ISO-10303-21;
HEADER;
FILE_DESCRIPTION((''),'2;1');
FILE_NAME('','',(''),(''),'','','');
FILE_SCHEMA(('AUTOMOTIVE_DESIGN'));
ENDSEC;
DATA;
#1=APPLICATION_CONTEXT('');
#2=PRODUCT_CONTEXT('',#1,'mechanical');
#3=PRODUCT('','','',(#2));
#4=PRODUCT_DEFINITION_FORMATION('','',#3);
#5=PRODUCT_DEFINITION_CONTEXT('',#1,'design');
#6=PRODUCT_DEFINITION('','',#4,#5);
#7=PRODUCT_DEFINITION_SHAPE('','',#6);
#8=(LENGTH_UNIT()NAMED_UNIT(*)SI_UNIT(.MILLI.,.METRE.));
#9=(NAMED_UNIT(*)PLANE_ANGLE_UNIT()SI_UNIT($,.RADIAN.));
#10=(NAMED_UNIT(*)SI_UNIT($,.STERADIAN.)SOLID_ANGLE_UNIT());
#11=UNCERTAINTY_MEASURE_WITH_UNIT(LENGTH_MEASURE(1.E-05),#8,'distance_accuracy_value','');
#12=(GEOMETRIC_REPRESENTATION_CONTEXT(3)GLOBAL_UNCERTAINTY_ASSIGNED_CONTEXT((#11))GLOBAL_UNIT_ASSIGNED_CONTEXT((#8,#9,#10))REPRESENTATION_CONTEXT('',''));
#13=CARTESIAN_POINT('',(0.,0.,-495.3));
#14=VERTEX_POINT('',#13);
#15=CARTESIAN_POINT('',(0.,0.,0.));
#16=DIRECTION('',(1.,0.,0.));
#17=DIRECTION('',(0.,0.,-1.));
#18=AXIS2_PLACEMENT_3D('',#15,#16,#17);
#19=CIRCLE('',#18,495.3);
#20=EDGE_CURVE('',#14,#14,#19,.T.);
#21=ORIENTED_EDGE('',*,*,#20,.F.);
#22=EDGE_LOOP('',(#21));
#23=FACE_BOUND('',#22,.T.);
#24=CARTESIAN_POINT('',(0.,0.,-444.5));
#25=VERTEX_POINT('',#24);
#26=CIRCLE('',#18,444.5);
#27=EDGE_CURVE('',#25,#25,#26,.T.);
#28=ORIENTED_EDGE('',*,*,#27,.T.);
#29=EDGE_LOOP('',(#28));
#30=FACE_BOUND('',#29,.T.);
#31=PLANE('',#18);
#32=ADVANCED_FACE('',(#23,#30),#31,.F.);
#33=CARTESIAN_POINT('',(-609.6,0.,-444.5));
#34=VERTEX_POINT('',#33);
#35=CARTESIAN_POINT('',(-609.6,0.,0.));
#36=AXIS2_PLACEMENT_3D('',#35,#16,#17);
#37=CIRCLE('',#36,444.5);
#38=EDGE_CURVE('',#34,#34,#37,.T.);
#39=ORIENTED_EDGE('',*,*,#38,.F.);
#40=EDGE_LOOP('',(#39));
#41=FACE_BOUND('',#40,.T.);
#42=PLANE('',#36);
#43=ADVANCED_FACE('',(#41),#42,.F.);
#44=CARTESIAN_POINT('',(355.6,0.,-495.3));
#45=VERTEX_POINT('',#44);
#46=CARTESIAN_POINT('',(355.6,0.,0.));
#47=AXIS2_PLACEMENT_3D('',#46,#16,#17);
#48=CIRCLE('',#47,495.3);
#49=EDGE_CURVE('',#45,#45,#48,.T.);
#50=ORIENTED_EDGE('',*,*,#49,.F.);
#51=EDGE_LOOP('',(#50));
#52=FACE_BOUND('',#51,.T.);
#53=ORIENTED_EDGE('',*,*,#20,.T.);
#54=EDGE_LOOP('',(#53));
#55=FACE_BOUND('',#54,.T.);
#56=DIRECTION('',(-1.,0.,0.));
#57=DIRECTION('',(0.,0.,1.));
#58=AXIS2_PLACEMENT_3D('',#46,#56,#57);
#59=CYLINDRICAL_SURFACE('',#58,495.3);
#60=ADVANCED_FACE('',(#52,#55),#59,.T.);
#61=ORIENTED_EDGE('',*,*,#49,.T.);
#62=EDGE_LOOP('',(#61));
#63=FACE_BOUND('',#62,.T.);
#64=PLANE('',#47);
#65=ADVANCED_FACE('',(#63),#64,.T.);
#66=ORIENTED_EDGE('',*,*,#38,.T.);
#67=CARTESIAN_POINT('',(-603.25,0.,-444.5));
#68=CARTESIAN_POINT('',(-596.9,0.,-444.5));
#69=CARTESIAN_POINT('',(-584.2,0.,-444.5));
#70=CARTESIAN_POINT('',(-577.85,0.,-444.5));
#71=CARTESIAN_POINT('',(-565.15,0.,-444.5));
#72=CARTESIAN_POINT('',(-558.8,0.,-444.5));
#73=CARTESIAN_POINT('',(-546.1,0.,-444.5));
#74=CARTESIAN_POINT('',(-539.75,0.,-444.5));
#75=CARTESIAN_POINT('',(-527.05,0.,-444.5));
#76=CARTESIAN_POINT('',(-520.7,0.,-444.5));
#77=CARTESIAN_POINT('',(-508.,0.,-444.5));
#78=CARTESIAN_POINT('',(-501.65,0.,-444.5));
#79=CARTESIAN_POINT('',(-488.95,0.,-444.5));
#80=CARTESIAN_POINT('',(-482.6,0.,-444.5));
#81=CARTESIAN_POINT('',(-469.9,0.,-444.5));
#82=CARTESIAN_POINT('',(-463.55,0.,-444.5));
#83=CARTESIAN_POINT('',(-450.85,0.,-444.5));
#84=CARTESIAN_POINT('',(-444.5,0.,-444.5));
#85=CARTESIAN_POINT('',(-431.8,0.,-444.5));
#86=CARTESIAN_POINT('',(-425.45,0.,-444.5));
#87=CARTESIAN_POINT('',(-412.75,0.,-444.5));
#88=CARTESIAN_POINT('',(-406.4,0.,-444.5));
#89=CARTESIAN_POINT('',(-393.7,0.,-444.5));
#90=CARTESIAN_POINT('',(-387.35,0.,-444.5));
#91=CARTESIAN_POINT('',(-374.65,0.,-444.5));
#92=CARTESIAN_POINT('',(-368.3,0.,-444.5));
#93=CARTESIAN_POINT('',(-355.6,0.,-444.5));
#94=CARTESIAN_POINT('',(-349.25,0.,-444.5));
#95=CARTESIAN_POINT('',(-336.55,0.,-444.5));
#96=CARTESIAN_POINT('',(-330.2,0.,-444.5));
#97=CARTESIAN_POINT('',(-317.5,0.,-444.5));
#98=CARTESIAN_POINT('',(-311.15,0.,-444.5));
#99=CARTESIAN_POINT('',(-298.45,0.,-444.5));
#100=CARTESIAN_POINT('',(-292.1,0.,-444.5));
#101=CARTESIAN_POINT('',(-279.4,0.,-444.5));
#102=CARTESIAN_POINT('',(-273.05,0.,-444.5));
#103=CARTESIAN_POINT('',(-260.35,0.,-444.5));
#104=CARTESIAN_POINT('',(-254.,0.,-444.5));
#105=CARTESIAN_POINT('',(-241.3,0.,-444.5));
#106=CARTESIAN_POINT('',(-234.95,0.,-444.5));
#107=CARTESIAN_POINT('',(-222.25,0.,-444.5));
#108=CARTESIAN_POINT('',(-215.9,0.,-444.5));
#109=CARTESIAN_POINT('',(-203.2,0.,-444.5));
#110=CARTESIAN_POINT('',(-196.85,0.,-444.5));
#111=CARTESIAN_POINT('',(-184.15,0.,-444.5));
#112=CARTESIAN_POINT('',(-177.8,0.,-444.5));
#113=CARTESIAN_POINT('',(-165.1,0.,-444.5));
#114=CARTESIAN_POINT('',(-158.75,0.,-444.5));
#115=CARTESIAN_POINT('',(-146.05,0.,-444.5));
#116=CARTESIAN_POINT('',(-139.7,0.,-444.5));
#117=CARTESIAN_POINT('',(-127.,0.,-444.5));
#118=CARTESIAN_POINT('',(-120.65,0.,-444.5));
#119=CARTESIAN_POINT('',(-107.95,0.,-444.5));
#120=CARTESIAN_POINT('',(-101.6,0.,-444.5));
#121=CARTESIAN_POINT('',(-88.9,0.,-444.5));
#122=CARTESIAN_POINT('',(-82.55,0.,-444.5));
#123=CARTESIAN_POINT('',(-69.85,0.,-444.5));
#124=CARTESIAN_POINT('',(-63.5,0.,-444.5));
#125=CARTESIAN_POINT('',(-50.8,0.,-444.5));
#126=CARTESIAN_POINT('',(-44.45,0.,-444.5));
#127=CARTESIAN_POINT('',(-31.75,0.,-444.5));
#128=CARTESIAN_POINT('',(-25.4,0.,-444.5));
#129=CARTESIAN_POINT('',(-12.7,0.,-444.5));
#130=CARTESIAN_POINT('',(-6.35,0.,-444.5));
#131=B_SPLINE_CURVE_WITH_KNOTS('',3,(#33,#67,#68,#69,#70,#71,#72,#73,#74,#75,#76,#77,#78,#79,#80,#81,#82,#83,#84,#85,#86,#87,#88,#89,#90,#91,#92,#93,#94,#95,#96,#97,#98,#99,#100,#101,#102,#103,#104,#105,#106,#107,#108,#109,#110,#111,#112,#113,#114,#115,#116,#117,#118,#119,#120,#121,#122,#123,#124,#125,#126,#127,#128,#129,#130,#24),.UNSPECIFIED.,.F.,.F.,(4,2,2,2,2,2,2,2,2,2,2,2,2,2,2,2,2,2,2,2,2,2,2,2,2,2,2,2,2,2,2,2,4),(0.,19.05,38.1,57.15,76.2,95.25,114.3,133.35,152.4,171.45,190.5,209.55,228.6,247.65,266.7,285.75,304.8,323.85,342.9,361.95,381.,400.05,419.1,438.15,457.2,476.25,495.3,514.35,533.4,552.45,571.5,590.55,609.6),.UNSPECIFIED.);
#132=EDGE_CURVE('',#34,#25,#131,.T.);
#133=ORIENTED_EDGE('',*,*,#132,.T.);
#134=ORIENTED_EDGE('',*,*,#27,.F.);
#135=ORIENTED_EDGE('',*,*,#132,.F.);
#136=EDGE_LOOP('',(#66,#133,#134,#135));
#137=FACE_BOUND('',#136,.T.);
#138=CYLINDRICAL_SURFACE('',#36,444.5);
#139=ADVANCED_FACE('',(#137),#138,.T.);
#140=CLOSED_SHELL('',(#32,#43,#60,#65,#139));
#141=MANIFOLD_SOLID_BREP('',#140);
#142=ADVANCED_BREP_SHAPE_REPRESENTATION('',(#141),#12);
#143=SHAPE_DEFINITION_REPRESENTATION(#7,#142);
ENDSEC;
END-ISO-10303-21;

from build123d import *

# Parameters (mm, degrees)
SKETCH1_R           = 495.3
BOSS_EXTRUDE1_DEPTH = 355.6
SKETCH2_R           = 444.5
BOSS_EXTRUDE3_DEPTH = 609.6


with BuildPart() as part:
    # Sketch1 → Boss-Extrude1 (new body)
    with BuildSketch(Plane(origin=(0, 0, 0), x_dir=(0, 0, -1), z_dir=(1, 0, 0))):
        Circle(SKETCH1_R)
    extrude(amount=BOSS_EXTRUDE1_DEPTH)

    # Sketch2 → Boss-Extrude3 (add)
    with BuildSketch(Plane(origin=(0, 0, 0), x_dir=(0, 0, -1), z_dir=(1, 0, 0))):
        Circle(SKETCH2_R)
    extrude(amount=-BOSS_EXTRUDE3_DEPTH)


solid = part.part
